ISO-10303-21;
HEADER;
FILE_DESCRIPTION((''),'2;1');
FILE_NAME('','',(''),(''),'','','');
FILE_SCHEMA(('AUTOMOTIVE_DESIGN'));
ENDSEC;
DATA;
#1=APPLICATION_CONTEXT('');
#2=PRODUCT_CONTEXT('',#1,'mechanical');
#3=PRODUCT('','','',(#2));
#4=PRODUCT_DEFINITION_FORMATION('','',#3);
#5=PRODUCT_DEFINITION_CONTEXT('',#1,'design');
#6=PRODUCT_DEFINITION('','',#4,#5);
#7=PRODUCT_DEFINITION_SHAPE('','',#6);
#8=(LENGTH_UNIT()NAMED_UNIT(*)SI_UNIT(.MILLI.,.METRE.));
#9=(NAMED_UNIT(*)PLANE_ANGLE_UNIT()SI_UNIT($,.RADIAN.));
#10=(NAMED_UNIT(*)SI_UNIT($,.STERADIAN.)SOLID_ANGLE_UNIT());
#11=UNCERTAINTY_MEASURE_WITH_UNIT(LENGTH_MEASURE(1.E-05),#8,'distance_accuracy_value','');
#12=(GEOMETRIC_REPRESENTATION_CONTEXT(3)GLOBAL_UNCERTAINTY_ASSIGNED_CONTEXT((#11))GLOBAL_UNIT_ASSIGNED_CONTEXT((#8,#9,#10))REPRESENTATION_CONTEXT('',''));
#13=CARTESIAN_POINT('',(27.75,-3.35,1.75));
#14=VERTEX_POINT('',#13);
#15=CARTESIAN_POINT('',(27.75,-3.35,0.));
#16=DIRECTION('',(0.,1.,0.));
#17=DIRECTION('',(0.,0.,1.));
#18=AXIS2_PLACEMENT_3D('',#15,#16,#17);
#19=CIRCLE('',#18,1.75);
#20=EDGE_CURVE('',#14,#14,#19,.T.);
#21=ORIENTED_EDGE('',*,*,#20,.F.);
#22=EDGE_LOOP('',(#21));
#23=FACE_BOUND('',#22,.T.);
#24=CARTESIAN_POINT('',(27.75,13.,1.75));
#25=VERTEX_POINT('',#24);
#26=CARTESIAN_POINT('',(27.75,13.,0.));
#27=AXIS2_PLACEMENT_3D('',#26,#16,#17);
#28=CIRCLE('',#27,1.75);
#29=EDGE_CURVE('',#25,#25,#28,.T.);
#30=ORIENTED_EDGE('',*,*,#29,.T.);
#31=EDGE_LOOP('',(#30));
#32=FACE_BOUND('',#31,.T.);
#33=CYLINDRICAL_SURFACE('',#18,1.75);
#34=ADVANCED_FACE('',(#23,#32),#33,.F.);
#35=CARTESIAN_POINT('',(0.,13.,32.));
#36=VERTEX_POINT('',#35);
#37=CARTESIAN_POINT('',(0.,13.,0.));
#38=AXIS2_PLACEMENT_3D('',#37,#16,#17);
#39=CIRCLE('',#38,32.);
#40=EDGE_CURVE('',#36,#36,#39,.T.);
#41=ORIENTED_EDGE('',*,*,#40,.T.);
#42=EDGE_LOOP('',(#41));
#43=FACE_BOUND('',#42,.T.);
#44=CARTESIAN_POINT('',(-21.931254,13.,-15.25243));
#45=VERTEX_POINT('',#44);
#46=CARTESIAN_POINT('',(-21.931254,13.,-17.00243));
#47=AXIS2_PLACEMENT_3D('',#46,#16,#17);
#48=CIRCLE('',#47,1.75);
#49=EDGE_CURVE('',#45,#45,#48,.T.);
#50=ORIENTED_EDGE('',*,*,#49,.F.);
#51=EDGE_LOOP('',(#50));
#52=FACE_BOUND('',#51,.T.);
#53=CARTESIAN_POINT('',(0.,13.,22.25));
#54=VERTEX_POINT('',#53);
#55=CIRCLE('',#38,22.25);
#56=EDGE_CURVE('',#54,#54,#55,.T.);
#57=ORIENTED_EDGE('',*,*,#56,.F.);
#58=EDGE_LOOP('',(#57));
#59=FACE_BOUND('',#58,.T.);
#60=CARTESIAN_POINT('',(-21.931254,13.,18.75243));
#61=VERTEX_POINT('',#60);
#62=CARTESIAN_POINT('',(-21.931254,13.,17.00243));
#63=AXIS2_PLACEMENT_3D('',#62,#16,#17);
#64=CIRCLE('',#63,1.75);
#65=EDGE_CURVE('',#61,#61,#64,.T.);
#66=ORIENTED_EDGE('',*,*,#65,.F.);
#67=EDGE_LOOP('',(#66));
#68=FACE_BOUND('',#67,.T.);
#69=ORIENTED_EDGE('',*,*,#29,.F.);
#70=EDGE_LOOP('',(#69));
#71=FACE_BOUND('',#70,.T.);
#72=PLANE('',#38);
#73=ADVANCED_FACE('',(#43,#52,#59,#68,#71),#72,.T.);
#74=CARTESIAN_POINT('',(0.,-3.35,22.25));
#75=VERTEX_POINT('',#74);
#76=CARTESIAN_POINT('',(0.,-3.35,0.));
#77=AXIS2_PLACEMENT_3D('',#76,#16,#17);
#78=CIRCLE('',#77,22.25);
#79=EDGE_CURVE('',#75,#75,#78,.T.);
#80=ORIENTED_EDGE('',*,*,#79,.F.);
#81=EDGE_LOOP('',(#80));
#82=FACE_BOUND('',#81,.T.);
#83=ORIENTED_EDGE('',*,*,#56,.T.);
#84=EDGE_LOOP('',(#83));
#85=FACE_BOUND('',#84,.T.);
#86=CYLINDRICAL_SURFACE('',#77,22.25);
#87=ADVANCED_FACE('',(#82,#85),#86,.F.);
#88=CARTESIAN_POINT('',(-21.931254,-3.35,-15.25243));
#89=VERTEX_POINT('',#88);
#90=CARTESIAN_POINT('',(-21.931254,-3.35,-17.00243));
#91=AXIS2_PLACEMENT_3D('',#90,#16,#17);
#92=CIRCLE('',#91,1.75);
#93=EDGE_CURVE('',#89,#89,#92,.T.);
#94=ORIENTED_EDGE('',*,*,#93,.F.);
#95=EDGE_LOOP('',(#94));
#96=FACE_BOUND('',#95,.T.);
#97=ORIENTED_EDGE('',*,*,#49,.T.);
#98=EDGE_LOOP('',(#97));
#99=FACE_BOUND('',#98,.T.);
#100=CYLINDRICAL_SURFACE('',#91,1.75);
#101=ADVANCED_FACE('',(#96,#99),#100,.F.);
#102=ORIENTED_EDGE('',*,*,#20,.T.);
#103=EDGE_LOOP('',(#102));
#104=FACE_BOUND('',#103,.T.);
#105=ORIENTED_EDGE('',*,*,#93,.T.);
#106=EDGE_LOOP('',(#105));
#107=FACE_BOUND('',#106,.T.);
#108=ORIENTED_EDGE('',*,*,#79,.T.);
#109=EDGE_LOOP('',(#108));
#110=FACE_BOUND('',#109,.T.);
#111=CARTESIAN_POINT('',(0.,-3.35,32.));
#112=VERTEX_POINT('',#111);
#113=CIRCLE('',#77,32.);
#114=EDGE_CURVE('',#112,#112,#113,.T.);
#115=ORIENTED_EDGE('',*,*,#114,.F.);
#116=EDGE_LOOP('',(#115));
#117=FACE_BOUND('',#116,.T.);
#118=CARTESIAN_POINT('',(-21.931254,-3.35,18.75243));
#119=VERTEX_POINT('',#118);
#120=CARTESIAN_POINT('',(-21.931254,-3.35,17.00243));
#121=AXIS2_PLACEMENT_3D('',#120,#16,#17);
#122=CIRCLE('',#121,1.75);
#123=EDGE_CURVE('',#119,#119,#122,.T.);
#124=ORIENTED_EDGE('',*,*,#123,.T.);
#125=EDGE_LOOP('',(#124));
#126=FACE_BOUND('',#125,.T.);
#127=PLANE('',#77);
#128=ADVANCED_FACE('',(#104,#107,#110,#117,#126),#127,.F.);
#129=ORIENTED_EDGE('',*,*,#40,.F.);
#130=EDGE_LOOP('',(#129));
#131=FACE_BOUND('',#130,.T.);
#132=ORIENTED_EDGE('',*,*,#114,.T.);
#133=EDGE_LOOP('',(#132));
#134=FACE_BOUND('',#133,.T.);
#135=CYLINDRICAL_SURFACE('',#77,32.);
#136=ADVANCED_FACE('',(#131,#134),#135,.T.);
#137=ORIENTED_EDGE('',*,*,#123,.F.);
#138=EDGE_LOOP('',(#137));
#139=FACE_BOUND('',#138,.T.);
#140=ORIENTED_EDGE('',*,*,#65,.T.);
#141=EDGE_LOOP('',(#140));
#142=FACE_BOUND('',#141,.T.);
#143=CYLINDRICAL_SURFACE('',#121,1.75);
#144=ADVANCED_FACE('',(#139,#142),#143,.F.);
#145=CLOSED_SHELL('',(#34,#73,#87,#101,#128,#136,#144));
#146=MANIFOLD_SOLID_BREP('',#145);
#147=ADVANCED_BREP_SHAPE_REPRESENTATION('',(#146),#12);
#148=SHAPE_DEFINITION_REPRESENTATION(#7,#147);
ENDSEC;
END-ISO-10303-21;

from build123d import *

# Parameters (mm, degrees)
BOSS_EXTRUDE1_DEPTH      = 13
BOSS_EXTRUDE1_DEPTH_BACK = 3.35
SKETCH1_R                = 32
SKETCH1_R_2              = 22.25
SKETCH1_R_3              = 1.75


with BuildPart() as part:
    # Sketch1 → Boss-Extrude1 (new, two sides: drawn at the far end of the back side and taken through both)
    with BuildSketch(Plane(origin=(0, 0, 0), x_dir=(1, 0, 0), z_dir=(0, 1, 0)).offset(-BOSS_EXTRUDE1_DEPTH_BACK)):
        with Locations(Location((0, 0, 0), (0, 0, 270))):
            Circle(SKETCH1_R)
        with Locations(Location((0, 0, 0), (0, 0, 270))):
            Circle(SKETCH1_R_2, mode=Mode.SUBTRACT)
        with Locations(Location((27.75, 0, 0), (0, 0, 270))):
            Circle(SKETCH1_R_3, mode=Mode.SUBTRACT)
        with Locations(Location((-21.931253571, 17.002429733, 0), (0, 0, 270))):
            Circle(SKETCH1_R_3, mode=Mode.SUBTRACT)
        with Locations(Location((-21.931253571, -17.002429733, 0), (0, 0, 270))):
            Circle(SKETCH1_R_3, mode=Mode.SUBTRACT)
    extrude(amount=BOSS_EXTRUDE1_DEPTH + BOSS_EXTRUDE1_DEPTH_BACK)


solid = part.part
